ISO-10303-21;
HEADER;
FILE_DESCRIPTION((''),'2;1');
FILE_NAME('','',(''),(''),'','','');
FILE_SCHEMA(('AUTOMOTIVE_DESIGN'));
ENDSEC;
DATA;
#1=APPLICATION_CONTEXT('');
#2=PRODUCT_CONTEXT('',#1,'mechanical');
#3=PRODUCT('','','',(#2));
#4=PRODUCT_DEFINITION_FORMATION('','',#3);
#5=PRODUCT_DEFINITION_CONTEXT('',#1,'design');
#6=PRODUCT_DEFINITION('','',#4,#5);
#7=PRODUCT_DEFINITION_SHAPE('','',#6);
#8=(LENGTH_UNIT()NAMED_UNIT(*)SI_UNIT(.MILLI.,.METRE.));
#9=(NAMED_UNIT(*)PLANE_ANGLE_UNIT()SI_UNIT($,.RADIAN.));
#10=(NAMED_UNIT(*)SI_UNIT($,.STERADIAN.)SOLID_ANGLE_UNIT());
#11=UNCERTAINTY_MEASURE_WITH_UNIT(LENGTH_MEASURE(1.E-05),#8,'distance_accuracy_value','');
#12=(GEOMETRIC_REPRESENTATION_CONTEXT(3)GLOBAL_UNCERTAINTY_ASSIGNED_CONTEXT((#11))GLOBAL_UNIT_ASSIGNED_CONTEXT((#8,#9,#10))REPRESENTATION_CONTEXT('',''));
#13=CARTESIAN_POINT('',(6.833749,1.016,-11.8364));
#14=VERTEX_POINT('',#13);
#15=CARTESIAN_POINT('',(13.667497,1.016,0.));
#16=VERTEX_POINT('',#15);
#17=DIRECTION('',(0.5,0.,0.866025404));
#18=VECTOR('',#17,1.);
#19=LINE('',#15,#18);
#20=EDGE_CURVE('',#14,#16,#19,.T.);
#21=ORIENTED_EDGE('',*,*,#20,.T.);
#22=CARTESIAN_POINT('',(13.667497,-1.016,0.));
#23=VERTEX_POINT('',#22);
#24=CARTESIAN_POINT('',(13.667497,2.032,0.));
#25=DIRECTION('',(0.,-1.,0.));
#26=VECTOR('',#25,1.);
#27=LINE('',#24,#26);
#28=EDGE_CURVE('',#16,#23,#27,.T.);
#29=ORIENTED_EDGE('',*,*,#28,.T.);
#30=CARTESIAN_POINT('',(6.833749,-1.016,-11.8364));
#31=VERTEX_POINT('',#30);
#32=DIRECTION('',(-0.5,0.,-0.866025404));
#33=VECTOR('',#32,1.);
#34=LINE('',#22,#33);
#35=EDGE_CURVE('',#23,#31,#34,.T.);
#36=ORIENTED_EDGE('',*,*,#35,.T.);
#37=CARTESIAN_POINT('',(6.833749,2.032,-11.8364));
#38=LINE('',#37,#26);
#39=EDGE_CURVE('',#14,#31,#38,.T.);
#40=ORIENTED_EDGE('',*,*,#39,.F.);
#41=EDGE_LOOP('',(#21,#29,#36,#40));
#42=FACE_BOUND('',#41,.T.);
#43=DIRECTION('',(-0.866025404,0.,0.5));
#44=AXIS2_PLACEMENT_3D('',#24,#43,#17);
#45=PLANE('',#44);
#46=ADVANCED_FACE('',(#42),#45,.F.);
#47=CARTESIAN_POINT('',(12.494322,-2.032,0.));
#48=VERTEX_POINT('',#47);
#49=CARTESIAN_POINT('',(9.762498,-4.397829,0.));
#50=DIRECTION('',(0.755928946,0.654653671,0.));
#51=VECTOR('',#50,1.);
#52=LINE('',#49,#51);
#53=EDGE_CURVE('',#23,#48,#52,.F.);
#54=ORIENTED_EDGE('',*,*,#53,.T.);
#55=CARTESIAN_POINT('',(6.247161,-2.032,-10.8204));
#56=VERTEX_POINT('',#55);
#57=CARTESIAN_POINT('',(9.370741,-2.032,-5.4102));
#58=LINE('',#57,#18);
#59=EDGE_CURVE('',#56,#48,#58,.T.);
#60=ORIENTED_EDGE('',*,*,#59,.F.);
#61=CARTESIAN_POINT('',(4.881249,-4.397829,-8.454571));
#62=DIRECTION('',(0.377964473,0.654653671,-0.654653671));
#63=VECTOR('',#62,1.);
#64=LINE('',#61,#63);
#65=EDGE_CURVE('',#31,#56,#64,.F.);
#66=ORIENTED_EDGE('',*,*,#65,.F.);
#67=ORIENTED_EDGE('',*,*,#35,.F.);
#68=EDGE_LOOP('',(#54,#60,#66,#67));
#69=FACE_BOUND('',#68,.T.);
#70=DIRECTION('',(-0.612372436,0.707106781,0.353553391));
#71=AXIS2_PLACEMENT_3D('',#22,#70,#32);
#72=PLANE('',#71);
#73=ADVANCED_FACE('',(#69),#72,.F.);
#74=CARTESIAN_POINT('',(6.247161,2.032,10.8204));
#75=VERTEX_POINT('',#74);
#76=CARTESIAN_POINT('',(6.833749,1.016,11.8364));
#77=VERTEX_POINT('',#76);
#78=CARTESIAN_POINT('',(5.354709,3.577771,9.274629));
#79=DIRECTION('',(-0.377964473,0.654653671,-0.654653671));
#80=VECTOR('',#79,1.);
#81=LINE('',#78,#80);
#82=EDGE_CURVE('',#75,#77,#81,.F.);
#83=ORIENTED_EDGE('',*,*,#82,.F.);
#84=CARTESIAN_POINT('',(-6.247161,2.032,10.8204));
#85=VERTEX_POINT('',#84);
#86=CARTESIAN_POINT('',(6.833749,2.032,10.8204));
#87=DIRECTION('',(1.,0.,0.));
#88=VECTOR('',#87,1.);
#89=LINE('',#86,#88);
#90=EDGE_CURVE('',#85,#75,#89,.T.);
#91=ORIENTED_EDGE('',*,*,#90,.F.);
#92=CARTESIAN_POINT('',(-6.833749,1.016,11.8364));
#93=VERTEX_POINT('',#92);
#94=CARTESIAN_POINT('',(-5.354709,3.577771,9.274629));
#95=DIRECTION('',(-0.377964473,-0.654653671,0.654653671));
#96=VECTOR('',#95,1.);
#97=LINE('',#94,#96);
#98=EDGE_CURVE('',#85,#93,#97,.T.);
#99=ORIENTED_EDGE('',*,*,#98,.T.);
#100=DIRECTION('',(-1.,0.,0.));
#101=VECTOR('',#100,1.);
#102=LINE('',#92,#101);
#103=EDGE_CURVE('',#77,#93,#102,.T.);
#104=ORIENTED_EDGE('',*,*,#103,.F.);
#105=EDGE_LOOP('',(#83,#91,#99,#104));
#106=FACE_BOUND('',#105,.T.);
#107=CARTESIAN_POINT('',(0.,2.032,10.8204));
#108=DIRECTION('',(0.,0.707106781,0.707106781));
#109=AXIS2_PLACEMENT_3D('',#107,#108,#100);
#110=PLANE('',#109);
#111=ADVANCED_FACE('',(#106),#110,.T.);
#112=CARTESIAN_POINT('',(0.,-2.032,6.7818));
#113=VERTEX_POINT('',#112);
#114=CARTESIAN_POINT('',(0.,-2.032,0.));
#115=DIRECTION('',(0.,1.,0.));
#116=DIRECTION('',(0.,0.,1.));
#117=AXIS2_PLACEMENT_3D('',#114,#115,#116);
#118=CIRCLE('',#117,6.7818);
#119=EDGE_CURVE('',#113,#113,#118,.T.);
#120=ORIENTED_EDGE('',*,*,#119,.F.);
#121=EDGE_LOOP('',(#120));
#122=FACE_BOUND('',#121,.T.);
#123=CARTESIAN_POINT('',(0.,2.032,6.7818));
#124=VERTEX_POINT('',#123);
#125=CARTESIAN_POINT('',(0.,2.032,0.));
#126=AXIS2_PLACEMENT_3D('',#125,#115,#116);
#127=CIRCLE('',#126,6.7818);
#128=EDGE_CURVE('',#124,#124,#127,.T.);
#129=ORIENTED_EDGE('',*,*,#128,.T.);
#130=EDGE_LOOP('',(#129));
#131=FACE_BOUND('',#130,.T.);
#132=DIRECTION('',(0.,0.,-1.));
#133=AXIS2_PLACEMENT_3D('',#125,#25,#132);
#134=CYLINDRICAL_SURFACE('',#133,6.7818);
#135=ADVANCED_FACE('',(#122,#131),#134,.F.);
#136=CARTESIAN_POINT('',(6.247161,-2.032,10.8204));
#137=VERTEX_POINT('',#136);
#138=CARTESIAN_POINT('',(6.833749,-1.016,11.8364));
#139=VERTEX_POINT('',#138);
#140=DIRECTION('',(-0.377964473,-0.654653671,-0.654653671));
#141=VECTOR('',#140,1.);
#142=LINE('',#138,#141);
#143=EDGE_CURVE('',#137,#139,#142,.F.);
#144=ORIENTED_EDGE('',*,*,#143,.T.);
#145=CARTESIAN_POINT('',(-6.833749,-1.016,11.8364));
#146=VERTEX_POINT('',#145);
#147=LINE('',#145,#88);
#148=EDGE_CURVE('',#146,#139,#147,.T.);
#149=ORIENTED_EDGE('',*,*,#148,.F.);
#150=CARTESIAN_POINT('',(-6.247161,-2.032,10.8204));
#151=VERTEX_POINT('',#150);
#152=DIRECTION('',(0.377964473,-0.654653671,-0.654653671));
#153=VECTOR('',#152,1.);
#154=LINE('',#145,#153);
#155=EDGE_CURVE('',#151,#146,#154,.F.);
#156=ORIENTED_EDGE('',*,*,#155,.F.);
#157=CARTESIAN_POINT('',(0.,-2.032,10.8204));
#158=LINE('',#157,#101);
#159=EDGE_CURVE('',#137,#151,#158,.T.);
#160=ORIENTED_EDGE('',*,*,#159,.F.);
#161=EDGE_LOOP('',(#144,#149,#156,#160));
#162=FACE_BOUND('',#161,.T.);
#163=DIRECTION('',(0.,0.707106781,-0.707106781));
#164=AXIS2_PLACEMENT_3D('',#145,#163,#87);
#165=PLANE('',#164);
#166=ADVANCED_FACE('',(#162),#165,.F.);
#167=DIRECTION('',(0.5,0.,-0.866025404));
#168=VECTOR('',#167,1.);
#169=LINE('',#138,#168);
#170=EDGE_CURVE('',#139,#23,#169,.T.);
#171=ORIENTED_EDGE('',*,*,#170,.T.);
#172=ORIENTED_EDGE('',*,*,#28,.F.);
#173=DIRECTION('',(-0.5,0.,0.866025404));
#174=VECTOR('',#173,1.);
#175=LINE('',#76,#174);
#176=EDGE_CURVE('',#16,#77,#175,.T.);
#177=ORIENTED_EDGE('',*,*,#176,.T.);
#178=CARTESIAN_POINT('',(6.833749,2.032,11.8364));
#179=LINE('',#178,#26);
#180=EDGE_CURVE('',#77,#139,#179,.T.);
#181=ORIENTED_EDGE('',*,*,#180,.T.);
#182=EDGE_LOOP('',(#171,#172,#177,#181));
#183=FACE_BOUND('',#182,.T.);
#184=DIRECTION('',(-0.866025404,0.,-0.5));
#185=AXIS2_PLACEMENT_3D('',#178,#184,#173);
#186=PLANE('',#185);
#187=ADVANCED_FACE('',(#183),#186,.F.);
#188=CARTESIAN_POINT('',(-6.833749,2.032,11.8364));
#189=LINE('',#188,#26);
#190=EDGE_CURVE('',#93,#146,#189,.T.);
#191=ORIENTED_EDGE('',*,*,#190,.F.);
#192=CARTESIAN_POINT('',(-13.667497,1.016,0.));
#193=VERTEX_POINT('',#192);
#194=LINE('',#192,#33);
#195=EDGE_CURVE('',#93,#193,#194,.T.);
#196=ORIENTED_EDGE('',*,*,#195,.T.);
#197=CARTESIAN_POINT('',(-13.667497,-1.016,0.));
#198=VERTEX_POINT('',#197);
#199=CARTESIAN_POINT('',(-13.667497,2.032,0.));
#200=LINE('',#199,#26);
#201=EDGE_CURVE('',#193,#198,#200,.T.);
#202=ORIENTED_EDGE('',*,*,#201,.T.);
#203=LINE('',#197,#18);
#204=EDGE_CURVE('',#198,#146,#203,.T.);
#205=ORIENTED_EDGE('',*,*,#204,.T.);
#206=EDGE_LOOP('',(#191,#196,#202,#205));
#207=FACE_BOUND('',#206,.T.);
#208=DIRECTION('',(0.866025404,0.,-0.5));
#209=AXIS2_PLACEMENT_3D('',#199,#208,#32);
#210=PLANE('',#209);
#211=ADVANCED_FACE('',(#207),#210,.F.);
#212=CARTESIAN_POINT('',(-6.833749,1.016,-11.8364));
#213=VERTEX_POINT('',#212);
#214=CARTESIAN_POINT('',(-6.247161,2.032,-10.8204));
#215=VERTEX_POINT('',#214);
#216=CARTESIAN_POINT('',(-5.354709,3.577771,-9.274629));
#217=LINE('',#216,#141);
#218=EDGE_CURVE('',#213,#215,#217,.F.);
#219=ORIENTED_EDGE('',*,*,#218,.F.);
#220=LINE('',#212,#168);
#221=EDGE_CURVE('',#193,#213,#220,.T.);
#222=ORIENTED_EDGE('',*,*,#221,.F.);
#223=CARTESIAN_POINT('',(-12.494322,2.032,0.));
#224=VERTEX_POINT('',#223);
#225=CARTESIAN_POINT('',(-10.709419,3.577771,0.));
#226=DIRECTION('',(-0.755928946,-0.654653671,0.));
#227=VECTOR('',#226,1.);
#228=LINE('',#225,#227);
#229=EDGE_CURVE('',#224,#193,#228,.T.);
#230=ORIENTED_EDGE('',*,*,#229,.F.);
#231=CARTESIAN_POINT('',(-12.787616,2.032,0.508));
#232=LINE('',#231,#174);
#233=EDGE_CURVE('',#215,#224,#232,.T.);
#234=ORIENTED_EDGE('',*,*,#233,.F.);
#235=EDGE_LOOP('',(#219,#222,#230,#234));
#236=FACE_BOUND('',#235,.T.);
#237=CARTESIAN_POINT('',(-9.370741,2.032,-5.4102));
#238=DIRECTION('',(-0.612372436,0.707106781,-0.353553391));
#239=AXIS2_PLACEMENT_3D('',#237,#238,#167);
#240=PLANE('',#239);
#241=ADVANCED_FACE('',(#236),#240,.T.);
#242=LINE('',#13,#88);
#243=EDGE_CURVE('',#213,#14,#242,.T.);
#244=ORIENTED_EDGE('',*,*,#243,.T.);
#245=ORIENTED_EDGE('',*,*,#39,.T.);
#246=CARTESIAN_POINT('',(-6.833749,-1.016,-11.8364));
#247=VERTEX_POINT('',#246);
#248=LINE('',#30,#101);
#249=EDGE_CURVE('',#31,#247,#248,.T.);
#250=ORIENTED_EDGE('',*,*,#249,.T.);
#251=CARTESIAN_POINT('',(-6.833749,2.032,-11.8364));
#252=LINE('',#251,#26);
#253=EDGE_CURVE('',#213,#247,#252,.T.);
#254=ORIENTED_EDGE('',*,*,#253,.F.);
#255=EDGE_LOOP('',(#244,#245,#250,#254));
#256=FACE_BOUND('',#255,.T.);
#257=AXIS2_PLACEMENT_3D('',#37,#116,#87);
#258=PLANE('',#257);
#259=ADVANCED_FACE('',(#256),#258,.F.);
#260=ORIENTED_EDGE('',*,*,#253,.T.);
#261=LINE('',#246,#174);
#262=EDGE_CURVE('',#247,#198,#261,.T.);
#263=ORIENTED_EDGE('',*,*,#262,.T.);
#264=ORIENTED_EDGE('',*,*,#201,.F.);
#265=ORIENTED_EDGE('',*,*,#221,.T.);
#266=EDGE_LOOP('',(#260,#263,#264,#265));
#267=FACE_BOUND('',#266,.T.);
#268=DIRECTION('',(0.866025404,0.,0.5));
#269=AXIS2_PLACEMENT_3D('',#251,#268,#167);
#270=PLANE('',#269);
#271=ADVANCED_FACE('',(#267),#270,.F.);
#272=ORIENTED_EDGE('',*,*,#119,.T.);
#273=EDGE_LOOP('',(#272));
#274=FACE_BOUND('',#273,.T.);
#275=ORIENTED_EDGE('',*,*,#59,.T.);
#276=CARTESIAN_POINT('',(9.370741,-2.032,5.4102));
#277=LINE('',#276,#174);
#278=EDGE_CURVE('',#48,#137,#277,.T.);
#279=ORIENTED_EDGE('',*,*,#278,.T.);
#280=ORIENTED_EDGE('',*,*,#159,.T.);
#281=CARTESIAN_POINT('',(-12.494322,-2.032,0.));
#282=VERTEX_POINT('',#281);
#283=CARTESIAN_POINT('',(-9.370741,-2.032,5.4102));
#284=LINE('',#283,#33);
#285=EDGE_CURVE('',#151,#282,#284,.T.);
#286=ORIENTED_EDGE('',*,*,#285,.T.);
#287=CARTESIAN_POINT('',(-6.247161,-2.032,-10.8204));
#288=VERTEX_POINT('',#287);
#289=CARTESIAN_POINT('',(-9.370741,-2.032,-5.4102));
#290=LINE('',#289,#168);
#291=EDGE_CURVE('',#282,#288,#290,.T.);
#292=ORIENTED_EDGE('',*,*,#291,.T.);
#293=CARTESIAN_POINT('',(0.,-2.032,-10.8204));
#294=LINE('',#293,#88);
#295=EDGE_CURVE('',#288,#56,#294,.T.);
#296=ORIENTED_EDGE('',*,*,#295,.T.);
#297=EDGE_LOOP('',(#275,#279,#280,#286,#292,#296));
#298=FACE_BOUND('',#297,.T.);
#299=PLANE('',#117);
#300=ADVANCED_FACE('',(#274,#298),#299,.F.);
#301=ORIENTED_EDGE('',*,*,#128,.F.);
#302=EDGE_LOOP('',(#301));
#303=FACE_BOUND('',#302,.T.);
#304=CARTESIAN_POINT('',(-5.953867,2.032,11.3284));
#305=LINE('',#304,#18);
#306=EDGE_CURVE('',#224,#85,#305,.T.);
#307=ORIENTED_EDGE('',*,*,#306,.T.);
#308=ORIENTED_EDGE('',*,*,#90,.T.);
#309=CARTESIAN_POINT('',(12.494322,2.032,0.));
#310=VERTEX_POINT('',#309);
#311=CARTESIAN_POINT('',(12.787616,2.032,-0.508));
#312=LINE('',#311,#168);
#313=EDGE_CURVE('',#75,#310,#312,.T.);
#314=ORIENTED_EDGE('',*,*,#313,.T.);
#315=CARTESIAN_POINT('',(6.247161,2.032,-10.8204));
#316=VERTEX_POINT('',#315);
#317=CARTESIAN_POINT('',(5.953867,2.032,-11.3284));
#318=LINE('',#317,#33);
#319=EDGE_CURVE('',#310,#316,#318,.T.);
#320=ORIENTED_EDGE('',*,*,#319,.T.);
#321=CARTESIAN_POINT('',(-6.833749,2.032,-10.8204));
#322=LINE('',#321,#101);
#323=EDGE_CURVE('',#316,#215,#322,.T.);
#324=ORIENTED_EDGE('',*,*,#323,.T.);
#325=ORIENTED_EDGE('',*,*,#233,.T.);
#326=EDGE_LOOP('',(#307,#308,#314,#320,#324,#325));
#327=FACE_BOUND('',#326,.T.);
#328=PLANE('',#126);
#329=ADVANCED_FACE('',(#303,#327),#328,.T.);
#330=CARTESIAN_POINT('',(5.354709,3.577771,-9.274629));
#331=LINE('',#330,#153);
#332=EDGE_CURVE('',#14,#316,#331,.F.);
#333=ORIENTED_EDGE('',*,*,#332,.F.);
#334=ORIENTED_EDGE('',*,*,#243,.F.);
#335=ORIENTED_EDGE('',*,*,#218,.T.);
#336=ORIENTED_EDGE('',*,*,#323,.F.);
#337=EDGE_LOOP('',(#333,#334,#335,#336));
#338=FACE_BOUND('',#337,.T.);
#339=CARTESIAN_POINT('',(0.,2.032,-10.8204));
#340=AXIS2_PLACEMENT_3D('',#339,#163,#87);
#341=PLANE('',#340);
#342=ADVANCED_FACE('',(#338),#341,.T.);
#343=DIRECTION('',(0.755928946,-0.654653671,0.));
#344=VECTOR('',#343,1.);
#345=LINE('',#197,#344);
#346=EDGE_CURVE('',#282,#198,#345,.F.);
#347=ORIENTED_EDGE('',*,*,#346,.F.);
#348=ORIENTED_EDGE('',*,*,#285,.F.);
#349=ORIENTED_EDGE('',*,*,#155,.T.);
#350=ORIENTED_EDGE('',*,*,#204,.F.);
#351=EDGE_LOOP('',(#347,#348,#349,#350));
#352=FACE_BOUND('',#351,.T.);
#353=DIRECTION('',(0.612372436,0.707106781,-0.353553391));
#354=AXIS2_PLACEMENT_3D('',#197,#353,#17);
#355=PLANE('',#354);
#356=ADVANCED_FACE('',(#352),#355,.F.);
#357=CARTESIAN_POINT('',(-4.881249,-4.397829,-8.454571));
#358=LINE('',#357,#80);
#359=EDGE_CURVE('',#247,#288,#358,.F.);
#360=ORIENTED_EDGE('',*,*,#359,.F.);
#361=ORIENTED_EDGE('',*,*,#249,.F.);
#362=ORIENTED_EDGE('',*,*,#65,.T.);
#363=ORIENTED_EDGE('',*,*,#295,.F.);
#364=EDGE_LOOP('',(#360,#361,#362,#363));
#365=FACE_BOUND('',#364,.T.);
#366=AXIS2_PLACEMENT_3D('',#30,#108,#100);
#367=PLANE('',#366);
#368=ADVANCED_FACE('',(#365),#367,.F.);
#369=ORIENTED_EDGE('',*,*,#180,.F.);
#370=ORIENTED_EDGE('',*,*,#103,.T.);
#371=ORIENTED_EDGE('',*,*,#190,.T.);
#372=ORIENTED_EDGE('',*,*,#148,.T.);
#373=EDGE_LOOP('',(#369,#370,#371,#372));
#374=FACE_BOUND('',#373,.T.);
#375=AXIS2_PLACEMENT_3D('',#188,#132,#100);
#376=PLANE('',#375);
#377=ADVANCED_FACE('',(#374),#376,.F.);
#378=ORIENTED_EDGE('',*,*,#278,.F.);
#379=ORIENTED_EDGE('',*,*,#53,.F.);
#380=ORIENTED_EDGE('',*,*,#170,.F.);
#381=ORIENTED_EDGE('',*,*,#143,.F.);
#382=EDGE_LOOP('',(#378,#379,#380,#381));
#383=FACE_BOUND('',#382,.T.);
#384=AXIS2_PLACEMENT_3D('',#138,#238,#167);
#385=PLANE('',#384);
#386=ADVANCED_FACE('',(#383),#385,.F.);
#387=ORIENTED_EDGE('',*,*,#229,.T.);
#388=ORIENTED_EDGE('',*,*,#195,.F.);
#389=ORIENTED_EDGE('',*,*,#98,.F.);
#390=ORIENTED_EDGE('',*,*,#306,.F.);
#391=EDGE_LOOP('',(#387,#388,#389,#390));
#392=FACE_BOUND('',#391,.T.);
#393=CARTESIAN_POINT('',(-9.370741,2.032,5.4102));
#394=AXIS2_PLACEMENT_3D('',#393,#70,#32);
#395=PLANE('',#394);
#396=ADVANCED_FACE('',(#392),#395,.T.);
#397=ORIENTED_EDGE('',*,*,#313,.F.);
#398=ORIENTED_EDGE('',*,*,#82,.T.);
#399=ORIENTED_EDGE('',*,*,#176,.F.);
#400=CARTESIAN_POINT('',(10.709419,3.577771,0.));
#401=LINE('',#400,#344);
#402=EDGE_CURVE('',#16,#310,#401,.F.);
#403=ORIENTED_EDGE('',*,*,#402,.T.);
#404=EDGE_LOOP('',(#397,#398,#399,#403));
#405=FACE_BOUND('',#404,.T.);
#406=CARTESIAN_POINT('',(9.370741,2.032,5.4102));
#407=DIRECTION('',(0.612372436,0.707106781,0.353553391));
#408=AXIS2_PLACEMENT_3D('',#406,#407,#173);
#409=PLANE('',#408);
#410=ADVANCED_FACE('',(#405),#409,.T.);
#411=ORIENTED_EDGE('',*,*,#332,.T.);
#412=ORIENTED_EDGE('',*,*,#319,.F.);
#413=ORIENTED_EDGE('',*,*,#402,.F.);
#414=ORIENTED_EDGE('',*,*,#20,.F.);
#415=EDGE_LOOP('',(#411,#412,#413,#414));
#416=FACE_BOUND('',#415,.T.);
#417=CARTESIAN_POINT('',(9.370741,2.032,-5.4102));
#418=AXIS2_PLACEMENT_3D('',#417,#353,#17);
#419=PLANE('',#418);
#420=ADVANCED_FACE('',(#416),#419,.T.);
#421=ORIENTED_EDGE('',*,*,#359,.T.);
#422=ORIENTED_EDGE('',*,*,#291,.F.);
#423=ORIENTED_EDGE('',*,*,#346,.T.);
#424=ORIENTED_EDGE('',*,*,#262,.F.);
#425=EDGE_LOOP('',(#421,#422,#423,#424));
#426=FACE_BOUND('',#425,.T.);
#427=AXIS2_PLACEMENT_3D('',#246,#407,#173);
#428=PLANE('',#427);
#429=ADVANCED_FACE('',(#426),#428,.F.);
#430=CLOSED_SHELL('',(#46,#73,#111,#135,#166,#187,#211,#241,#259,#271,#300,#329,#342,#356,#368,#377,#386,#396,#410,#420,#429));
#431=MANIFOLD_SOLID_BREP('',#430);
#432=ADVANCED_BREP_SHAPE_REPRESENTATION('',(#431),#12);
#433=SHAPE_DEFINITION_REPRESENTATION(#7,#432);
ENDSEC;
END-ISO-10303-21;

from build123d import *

# Parameters (mm, degrees)
SKETCH1_R           = 6.7818
BOSS_EXTRUDE1_DEPTH = 2.032
CHAMFER1_SIZE       = 1.016


with BuildPart() as part:
    # Sketch1 → Boss-Extrude1 (new, symmetric)
    with BuildSketch(Plane(origin=(0, 0, 0), x_dir=(1, 0, 0), z_dir=(0, 1, 0))):
        Polygon((6.833748726, 11.8364), (-6.833748726, 11.8364), (-13.667497452, 0), (-6.833748726, -11.8364), (6.833748726, -11.8364), (13.667497452, 0), align=None)
        with Locations(Location((0, 0, 0), (0, 0, 270))):
            Circle(SKETCH1_R, mode=Mode.SUBTRACT)
    extrude(amount=BOSS_EXTRUDE1_DEPTH, both=True)

    # Chamfer1
    chamfer1_edges = [part.edges().sort_by_distance(p)[0] for p in [
        (-10.250623089, 2.032, -5.9182),
        (-10.250623089, 2.032, 5.9182),
        (0, 2.032, 11.8364),
        (10.250623089, 2.032, 5.9182),
        (10.250623089, 2.032, -5.9182),
        (10.250623089, -2.032, 5.9182),
        (0, -2.032, 11.8364),
        (-10.250623089, -2.032, 5.9182),
        (-10.250623089, -2.032, -5.9182),
        (0, -2.032, -11.8364),
        (10.250623089, -2.032, -5.9182),
        (0, 2.032, -11.8364),
    ]]
    chamfer(chamfer1_edges, length=CHAMFER1_SIZE)


solid = part.part
